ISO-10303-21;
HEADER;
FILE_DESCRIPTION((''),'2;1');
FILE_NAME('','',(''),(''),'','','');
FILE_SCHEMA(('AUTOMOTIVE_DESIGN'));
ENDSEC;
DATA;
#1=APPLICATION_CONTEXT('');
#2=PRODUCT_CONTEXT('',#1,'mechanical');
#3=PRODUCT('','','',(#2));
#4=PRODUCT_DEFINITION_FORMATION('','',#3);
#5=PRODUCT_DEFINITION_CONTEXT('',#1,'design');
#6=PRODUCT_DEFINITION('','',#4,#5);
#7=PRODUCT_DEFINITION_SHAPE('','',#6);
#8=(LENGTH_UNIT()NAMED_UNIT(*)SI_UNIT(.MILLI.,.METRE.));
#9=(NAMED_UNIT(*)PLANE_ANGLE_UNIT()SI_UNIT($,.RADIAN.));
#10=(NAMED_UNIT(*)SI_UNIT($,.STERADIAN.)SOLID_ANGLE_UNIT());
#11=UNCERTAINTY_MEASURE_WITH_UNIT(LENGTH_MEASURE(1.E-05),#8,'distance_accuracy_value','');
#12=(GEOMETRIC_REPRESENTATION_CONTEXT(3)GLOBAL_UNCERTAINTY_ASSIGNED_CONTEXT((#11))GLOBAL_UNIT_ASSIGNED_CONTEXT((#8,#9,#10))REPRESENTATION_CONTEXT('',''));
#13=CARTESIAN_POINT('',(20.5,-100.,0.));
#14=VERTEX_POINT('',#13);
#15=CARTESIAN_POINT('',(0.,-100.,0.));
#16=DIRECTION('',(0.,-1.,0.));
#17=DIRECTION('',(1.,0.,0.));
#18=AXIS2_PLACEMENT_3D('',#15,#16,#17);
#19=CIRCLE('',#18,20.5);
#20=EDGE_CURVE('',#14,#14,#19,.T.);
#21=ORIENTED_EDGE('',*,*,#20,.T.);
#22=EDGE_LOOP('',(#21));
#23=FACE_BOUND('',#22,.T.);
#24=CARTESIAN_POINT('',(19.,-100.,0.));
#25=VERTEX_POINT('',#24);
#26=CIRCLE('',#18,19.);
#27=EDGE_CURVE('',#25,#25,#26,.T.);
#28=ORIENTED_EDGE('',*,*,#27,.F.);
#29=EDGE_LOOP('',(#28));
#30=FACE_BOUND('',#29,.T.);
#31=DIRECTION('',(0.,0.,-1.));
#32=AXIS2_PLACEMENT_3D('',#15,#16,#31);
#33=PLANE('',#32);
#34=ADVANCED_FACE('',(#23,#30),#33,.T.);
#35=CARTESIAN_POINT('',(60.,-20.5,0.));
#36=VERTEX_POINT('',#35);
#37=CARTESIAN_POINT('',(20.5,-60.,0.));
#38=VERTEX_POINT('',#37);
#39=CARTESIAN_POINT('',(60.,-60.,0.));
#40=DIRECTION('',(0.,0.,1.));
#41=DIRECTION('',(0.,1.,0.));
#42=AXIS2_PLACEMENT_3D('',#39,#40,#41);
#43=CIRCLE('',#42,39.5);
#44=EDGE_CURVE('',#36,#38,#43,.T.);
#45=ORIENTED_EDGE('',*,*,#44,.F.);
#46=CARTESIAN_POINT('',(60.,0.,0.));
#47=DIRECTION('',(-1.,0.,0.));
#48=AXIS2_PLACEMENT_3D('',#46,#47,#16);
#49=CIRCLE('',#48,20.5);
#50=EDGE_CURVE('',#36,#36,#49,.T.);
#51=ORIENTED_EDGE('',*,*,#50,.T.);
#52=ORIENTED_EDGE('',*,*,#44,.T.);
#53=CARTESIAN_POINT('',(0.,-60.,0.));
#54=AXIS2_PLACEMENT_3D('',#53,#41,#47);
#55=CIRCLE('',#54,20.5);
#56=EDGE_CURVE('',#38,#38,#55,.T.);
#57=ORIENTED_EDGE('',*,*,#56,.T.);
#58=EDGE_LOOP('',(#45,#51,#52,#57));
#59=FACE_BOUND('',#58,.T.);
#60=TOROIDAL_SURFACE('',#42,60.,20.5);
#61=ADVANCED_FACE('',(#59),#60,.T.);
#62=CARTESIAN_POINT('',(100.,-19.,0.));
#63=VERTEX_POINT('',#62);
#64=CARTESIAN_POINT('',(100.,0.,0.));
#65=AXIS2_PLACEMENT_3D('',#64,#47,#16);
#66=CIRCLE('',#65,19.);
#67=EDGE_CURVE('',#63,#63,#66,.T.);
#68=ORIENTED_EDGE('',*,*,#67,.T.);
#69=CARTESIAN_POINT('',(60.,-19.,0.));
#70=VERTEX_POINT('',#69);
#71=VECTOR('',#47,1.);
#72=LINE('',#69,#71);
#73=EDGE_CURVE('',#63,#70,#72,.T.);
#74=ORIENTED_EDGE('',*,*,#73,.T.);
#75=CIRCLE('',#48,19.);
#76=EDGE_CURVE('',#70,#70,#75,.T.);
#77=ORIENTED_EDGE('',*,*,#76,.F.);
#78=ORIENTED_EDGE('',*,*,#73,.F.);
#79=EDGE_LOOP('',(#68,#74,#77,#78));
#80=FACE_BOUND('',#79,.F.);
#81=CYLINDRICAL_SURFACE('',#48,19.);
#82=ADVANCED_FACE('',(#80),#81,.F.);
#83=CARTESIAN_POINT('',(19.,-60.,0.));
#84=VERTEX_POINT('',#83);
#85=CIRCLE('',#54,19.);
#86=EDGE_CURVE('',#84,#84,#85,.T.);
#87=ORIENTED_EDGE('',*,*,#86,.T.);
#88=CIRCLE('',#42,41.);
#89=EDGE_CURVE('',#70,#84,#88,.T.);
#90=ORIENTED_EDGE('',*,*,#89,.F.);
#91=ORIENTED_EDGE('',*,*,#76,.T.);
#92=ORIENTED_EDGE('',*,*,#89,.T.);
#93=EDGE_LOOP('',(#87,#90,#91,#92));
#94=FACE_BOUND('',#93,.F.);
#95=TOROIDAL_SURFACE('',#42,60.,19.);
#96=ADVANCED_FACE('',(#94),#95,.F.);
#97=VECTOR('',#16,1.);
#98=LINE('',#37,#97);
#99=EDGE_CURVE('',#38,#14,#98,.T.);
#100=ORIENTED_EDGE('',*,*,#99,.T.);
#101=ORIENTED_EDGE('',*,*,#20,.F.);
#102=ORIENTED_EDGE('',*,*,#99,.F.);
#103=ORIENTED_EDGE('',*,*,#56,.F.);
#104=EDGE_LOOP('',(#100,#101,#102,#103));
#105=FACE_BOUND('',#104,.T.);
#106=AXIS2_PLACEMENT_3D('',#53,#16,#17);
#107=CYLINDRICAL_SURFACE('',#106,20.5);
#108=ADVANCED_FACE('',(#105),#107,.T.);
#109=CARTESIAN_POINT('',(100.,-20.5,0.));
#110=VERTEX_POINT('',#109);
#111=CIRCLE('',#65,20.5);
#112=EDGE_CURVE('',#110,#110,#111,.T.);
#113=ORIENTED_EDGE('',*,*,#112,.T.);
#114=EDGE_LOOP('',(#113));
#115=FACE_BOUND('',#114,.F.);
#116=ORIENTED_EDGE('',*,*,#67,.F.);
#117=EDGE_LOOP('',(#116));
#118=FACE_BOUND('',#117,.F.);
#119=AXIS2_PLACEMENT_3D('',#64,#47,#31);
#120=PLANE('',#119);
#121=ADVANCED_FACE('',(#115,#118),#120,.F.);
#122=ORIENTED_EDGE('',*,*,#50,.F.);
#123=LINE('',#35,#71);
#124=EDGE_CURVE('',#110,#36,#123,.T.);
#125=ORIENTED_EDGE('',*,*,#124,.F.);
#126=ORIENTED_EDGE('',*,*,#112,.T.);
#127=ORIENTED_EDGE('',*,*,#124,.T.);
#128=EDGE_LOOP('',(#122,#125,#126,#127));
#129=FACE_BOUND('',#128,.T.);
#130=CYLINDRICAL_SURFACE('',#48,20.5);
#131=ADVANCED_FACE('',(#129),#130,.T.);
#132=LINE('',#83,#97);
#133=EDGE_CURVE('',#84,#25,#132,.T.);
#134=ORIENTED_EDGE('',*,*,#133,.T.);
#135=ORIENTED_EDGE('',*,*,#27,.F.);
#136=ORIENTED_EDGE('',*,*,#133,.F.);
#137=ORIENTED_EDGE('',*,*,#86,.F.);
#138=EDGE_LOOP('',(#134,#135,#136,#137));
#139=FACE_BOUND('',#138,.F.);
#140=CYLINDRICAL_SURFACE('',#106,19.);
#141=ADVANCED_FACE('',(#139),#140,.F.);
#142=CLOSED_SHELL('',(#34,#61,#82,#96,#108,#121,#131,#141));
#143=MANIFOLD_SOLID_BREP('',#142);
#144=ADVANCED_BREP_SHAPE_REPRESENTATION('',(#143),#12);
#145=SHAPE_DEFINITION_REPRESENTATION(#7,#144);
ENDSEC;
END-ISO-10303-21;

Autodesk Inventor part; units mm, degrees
ref_plane "YZ Plane" through (0, 0, 0) normal (1, 0, 0) x (0, 1, 0)
ref_plane "XZ Plane" through (0, 0, 0) normal (0, 1, 0) x (-1, 0, 0)
sketch "Szkic6" plane through (0, 0, 0) normal (0, 0, 1) x (1, 0, 0)
  line L0 (-29.6067, 0) -> (35.2678, 0) construction
  line L1 (0, 42.3419) -> (0, -58.3726) construction
  arc A0 (60, 0) -> (0, -60) centre (60, -60) ccw
  line L2 (0, -60) -> (60, -60) construction
  line L3 (60, -60) -> (60, 5.5331) construction
  line L4 (60, 0) -> (100, 0)
  line L5 (0, -60) -> (0, -100)
  point P0 (0, 0)
  dimension "d24" = 60
  dimension "d31" = 90
  dimension "d36" = 40
  dimension "d37" = 40
ref_plane "Płaszczyzna konstrukcyjna2" through (0, -60, 0) normal (0, -1, 0) x (1, 0, 0)
sketch "Szkic8" plane through (0, -60, 0) normal (0, -1, 0) x (1, 0, 0)
  circle A0 centre (0, 0) radius 20.5
  circle A1 centre (0, 0) radius 19
  dimension "d32" = 41
  dimension "d33" = 1.5
sweep "Przeciągnięcie2" add profiles "Szkic8" path "Szkic6"
equation "\"d32\" = OD"
equation "\"d33\" = THK"
equation "\"d24\" = R"
equation "\"d31\" = KAT"
equation "\"d36\" = PROSTKA"
equation "\"d37\" = PROSTKA"
equation "\"SzerokośćGięciaPodcięcia\" = Grubość"
equation "\"RozmiarPodcięciaNarożnika\" = 4 * Grubość"
equation "\"PromieńPrzejścia\" = PromieńGięcia"
equation "\"Rozmiar_promienia_Jacobiego\" = PromieńGięcia"
equation "\"Wielk_odstępu\" = Grubość"
equation "\"d2\" = PromieńGięcia"
equation "\"d23\" = PromieńGięcia"
equation "\"R\" = 60"
equation "\"OD\" = 41"
equation "\"THK\" = 1.5"
equation "\"KAT\" = 90deg"
equation "\"PROSTKA\" = 40"
equation "\"Grubość\" = 1.5"
equation "\"PromieńGięcia\" = 3"
properties part number "Kolano 90° ø41x1,5 R60" material "304L"
